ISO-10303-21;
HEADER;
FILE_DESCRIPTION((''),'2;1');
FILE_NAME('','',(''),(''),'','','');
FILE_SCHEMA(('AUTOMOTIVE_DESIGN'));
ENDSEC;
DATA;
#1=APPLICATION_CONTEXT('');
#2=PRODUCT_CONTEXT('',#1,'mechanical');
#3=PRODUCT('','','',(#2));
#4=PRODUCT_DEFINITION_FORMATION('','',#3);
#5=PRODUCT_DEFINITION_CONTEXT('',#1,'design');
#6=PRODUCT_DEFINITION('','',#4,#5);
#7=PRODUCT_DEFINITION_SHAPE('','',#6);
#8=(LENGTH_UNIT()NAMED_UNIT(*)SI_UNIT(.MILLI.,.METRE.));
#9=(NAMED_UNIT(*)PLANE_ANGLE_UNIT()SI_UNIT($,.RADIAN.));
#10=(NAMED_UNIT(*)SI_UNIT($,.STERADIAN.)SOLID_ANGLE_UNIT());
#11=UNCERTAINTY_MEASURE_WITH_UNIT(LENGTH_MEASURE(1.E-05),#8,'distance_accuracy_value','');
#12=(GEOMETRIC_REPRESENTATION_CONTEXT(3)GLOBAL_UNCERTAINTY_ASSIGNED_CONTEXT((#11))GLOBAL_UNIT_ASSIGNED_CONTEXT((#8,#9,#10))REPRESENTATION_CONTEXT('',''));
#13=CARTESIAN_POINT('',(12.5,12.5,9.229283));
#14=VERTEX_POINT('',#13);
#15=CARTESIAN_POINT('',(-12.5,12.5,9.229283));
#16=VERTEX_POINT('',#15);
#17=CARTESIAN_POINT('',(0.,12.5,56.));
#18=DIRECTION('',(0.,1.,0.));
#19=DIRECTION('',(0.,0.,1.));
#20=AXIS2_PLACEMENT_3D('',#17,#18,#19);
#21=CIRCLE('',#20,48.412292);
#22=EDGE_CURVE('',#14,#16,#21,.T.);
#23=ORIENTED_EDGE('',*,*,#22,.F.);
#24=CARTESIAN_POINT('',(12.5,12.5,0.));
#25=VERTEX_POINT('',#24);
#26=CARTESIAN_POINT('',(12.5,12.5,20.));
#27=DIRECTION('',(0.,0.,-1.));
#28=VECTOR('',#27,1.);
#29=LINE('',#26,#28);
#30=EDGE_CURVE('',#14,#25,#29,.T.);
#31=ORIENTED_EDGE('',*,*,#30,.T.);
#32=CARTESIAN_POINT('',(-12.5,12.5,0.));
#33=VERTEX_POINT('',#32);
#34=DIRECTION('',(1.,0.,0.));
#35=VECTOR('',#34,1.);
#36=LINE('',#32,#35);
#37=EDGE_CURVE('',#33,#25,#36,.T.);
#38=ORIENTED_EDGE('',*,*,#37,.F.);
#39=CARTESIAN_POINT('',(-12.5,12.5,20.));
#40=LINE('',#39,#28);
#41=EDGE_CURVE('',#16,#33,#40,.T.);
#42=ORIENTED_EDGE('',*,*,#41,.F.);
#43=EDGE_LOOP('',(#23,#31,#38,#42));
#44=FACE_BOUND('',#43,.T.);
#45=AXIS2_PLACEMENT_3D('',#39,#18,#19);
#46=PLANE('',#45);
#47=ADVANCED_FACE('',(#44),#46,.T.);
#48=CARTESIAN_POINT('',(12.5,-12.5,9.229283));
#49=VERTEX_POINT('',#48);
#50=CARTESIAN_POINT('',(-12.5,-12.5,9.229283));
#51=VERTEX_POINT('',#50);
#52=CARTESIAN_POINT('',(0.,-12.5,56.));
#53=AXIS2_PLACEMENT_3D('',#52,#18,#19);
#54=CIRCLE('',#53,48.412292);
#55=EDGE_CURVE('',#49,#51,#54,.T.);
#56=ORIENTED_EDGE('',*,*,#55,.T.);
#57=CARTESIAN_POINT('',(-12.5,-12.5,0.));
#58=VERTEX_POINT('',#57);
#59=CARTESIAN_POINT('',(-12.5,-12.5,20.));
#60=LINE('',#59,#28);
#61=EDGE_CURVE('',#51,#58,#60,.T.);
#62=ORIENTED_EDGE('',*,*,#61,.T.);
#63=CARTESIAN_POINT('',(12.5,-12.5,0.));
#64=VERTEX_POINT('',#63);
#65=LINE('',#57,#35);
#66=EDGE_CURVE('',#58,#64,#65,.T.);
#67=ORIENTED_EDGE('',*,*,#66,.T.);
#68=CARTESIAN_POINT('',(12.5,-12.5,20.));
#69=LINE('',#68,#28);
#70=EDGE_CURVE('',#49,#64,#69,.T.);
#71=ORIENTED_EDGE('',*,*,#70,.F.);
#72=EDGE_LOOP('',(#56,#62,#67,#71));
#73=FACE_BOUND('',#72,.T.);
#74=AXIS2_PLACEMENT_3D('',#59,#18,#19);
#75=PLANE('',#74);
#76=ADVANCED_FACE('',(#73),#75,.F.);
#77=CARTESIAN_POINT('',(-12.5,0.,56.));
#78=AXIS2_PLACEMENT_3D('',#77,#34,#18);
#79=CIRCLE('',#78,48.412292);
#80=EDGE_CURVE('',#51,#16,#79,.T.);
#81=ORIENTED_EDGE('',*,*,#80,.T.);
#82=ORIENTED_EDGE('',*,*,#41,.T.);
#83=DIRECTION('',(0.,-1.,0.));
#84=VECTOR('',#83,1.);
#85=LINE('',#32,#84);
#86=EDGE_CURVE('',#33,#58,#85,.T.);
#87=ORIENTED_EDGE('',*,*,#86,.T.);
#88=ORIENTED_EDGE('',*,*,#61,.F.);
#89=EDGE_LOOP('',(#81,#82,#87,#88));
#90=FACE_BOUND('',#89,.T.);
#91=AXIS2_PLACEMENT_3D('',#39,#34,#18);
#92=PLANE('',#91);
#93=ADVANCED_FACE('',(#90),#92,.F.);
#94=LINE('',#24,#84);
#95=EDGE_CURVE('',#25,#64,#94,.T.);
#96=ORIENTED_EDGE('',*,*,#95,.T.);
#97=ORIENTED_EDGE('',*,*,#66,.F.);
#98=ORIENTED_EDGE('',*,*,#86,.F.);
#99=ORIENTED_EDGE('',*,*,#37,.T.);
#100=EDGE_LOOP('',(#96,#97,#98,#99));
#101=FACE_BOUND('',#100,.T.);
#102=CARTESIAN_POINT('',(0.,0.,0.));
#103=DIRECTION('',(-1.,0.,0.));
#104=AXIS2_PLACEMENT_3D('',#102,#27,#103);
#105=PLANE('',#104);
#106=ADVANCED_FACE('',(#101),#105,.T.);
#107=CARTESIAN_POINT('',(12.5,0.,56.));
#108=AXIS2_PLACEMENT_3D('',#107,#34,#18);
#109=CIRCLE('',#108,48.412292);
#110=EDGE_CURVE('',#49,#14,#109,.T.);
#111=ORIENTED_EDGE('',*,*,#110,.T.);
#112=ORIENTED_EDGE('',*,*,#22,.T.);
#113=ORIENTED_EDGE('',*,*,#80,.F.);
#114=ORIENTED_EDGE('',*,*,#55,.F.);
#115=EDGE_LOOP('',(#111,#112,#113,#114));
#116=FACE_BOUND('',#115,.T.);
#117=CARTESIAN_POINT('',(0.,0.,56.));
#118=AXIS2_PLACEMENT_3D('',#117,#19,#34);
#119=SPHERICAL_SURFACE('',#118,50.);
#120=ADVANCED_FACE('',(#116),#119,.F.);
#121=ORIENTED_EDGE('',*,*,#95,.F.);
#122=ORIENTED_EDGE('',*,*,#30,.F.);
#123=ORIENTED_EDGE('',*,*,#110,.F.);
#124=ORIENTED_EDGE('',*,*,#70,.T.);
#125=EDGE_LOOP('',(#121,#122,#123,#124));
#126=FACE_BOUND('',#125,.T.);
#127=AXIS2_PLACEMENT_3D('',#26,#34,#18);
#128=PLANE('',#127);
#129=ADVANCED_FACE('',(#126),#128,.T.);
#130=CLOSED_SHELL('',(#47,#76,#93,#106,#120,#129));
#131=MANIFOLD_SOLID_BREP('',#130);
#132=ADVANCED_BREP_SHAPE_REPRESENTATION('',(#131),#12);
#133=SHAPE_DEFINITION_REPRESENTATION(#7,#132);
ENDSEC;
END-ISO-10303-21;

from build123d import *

# Parameters (mm, degrees)
SKETCH_1_W      = 25
SKETCH_1_H      = 25
EXTRUDE_1_DEPTH = 20


with BuildPart() as part:
    # 草图1 → 凸台-拉伸1 (new body)
    with BuildSketch(Plane.XY):
        Rectangle(SKETCH_1_W, SKETCH_1_H)
    extrude(amount=EXTRUDE_1_DEPTH)

    # 草图2 → 切除-旋转2 (revolve, cut)
    with BuildSketch(Plane(origin=(0, 0, 0), x_dir=(1, 0, 0), z_dir=(0, 1, 0))):
        with BuildLine():
            Line((48.742273091, -44.855906768), (0, -44.855906768))
            Line((0, -44.855906768), (0, -6))
            ThreePointArc((0, -6), (31.167253155, -16.902655707), (48.742273091, -44.855906768))
        make_face()
    revolve(axis=Axis((0, 0, 44.855906768), (0, 0, -1)), mode=Mode.SUBTRACT)


solid = part.part
